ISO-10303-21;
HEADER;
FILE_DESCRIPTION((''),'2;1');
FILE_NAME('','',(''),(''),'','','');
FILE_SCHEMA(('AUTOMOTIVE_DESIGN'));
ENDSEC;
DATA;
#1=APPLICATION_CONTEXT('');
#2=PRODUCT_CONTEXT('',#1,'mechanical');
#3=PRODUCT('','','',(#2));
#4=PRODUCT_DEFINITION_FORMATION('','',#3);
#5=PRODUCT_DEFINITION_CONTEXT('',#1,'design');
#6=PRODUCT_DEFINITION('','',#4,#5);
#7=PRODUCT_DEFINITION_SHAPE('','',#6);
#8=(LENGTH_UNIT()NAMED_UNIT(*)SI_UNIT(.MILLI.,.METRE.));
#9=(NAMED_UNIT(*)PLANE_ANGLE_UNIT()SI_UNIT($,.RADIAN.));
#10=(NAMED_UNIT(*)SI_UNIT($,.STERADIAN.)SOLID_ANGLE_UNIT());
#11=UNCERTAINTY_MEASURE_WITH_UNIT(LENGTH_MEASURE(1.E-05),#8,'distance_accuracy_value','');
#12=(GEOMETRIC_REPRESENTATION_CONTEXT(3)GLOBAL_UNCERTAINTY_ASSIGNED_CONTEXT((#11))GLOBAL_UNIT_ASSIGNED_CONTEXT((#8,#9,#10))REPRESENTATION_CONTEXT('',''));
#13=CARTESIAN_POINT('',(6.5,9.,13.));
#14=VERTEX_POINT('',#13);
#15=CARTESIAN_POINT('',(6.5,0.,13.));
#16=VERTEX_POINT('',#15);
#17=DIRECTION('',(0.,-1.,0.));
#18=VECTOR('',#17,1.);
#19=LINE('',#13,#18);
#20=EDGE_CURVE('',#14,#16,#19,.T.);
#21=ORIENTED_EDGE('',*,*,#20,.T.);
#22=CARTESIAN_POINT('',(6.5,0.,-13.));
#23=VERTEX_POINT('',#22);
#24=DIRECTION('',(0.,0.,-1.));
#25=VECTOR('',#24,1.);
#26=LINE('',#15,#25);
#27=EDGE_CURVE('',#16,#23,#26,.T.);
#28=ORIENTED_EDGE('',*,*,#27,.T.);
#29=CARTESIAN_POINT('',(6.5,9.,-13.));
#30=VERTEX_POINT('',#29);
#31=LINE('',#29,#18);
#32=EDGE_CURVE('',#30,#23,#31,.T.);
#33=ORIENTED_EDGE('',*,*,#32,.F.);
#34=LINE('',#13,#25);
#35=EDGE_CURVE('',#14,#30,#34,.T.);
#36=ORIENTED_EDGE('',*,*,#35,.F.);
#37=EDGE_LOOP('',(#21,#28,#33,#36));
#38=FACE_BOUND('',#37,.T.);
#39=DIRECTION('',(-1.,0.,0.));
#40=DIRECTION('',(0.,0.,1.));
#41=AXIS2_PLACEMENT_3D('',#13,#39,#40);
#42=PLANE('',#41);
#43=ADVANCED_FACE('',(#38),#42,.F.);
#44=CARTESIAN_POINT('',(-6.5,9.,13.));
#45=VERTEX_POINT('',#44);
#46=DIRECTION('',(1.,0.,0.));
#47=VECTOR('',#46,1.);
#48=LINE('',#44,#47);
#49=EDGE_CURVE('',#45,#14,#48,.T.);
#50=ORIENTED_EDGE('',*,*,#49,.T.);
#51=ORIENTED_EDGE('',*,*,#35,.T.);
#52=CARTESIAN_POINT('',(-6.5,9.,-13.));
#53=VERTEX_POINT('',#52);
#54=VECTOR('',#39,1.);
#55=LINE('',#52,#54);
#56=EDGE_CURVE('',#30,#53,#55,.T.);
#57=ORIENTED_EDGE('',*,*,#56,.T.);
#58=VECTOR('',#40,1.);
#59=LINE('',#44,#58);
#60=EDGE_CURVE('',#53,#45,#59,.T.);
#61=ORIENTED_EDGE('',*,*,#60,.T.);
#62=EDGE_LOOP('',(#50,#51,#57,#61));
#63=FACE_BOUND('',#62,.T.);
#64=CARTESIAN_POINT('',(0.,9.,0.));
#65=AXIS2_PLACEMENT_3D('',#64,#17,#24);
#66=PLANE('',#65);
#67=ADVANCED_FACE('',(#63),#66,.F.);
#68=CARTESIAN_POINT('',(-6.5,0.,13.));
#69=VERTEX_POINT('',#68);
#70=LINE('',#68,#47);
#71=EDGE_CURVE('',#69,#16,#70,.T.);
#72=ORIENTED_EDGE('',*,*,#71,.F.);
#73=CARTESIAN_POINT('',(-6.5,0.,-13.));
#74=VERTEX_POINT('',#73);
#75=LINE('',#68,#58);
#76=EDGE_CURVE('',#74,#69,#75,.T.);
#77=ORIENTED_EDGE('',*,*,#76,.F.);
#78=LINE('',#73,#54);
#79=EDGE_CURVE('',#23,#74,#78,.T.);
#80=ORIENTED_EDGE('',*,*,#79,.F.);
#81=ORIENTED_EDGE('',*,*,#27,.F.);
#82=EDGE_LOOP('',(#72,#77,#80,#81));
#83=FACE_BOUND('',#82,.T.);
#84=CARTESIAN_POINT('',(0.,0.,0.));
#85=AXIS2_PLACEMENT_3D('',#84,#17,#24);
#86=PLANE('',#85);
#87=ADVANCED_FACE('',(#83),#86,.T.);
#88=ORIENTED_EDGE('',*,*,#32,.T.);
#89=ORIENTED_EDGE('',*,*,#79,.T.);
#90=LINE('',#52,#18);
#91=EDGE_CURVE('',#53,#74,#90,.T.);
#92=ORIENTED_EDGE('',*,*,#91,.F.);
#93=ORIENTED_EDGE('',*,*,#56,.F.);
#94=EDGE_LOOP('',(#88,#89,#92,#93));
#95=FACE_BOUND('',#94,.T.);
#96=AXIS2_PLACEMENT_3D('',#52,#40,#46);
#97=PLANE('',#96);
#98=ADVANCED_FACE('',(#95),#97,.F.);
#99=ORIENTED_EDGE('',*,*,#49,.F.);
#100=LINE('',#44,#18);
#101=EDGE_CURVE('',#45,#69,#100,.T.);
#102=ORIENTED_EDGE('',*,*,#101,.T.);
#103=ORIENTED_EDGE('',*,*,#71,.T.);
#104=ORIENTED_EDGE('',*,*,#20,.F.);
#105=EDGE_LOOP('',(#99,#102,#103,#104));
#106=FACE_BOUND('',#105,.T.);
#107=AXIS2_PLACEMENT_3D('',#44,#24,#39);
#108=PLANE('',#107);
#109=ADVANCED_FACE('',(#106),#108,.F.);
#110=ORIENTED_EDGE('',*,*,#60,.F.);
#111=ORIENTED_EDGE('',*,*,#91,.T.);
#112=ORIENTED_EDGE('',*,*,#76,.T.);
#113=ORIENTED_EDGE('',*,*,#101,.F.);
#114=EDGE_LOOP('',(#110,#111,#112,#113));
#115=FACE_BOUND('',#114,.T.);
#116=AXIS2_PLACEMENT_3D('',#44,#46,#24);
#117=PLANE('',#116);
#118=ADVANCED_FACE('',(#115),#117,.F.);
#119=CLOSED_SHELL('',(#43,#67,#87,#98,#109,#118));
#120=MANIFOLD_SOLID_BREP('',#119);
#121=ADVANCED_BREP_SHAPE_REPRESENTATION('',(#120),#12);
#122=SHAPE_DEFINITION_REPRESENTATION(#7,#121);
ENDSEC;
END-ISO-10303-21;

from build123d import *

# Parameters (mm, degrees)
SKETCH_1_W      = 13
SKETCH_1_H      = 26
EXTRUDE_1_DEPTH = 9


with BuildPart() as part:
    # 草图1 → 凸台-拉伸1 (new body)
    with BuildSketch(Plane(origin=(0, 0, 0), x_dir=(1, 0, 0), z_dir=(0, 1, 0))):
        Rectangle(SKETCH_1_W, SKETCH_1_H)
    extrude(amount=EXTRUDE_1_DEPTH)


solid = part.part
